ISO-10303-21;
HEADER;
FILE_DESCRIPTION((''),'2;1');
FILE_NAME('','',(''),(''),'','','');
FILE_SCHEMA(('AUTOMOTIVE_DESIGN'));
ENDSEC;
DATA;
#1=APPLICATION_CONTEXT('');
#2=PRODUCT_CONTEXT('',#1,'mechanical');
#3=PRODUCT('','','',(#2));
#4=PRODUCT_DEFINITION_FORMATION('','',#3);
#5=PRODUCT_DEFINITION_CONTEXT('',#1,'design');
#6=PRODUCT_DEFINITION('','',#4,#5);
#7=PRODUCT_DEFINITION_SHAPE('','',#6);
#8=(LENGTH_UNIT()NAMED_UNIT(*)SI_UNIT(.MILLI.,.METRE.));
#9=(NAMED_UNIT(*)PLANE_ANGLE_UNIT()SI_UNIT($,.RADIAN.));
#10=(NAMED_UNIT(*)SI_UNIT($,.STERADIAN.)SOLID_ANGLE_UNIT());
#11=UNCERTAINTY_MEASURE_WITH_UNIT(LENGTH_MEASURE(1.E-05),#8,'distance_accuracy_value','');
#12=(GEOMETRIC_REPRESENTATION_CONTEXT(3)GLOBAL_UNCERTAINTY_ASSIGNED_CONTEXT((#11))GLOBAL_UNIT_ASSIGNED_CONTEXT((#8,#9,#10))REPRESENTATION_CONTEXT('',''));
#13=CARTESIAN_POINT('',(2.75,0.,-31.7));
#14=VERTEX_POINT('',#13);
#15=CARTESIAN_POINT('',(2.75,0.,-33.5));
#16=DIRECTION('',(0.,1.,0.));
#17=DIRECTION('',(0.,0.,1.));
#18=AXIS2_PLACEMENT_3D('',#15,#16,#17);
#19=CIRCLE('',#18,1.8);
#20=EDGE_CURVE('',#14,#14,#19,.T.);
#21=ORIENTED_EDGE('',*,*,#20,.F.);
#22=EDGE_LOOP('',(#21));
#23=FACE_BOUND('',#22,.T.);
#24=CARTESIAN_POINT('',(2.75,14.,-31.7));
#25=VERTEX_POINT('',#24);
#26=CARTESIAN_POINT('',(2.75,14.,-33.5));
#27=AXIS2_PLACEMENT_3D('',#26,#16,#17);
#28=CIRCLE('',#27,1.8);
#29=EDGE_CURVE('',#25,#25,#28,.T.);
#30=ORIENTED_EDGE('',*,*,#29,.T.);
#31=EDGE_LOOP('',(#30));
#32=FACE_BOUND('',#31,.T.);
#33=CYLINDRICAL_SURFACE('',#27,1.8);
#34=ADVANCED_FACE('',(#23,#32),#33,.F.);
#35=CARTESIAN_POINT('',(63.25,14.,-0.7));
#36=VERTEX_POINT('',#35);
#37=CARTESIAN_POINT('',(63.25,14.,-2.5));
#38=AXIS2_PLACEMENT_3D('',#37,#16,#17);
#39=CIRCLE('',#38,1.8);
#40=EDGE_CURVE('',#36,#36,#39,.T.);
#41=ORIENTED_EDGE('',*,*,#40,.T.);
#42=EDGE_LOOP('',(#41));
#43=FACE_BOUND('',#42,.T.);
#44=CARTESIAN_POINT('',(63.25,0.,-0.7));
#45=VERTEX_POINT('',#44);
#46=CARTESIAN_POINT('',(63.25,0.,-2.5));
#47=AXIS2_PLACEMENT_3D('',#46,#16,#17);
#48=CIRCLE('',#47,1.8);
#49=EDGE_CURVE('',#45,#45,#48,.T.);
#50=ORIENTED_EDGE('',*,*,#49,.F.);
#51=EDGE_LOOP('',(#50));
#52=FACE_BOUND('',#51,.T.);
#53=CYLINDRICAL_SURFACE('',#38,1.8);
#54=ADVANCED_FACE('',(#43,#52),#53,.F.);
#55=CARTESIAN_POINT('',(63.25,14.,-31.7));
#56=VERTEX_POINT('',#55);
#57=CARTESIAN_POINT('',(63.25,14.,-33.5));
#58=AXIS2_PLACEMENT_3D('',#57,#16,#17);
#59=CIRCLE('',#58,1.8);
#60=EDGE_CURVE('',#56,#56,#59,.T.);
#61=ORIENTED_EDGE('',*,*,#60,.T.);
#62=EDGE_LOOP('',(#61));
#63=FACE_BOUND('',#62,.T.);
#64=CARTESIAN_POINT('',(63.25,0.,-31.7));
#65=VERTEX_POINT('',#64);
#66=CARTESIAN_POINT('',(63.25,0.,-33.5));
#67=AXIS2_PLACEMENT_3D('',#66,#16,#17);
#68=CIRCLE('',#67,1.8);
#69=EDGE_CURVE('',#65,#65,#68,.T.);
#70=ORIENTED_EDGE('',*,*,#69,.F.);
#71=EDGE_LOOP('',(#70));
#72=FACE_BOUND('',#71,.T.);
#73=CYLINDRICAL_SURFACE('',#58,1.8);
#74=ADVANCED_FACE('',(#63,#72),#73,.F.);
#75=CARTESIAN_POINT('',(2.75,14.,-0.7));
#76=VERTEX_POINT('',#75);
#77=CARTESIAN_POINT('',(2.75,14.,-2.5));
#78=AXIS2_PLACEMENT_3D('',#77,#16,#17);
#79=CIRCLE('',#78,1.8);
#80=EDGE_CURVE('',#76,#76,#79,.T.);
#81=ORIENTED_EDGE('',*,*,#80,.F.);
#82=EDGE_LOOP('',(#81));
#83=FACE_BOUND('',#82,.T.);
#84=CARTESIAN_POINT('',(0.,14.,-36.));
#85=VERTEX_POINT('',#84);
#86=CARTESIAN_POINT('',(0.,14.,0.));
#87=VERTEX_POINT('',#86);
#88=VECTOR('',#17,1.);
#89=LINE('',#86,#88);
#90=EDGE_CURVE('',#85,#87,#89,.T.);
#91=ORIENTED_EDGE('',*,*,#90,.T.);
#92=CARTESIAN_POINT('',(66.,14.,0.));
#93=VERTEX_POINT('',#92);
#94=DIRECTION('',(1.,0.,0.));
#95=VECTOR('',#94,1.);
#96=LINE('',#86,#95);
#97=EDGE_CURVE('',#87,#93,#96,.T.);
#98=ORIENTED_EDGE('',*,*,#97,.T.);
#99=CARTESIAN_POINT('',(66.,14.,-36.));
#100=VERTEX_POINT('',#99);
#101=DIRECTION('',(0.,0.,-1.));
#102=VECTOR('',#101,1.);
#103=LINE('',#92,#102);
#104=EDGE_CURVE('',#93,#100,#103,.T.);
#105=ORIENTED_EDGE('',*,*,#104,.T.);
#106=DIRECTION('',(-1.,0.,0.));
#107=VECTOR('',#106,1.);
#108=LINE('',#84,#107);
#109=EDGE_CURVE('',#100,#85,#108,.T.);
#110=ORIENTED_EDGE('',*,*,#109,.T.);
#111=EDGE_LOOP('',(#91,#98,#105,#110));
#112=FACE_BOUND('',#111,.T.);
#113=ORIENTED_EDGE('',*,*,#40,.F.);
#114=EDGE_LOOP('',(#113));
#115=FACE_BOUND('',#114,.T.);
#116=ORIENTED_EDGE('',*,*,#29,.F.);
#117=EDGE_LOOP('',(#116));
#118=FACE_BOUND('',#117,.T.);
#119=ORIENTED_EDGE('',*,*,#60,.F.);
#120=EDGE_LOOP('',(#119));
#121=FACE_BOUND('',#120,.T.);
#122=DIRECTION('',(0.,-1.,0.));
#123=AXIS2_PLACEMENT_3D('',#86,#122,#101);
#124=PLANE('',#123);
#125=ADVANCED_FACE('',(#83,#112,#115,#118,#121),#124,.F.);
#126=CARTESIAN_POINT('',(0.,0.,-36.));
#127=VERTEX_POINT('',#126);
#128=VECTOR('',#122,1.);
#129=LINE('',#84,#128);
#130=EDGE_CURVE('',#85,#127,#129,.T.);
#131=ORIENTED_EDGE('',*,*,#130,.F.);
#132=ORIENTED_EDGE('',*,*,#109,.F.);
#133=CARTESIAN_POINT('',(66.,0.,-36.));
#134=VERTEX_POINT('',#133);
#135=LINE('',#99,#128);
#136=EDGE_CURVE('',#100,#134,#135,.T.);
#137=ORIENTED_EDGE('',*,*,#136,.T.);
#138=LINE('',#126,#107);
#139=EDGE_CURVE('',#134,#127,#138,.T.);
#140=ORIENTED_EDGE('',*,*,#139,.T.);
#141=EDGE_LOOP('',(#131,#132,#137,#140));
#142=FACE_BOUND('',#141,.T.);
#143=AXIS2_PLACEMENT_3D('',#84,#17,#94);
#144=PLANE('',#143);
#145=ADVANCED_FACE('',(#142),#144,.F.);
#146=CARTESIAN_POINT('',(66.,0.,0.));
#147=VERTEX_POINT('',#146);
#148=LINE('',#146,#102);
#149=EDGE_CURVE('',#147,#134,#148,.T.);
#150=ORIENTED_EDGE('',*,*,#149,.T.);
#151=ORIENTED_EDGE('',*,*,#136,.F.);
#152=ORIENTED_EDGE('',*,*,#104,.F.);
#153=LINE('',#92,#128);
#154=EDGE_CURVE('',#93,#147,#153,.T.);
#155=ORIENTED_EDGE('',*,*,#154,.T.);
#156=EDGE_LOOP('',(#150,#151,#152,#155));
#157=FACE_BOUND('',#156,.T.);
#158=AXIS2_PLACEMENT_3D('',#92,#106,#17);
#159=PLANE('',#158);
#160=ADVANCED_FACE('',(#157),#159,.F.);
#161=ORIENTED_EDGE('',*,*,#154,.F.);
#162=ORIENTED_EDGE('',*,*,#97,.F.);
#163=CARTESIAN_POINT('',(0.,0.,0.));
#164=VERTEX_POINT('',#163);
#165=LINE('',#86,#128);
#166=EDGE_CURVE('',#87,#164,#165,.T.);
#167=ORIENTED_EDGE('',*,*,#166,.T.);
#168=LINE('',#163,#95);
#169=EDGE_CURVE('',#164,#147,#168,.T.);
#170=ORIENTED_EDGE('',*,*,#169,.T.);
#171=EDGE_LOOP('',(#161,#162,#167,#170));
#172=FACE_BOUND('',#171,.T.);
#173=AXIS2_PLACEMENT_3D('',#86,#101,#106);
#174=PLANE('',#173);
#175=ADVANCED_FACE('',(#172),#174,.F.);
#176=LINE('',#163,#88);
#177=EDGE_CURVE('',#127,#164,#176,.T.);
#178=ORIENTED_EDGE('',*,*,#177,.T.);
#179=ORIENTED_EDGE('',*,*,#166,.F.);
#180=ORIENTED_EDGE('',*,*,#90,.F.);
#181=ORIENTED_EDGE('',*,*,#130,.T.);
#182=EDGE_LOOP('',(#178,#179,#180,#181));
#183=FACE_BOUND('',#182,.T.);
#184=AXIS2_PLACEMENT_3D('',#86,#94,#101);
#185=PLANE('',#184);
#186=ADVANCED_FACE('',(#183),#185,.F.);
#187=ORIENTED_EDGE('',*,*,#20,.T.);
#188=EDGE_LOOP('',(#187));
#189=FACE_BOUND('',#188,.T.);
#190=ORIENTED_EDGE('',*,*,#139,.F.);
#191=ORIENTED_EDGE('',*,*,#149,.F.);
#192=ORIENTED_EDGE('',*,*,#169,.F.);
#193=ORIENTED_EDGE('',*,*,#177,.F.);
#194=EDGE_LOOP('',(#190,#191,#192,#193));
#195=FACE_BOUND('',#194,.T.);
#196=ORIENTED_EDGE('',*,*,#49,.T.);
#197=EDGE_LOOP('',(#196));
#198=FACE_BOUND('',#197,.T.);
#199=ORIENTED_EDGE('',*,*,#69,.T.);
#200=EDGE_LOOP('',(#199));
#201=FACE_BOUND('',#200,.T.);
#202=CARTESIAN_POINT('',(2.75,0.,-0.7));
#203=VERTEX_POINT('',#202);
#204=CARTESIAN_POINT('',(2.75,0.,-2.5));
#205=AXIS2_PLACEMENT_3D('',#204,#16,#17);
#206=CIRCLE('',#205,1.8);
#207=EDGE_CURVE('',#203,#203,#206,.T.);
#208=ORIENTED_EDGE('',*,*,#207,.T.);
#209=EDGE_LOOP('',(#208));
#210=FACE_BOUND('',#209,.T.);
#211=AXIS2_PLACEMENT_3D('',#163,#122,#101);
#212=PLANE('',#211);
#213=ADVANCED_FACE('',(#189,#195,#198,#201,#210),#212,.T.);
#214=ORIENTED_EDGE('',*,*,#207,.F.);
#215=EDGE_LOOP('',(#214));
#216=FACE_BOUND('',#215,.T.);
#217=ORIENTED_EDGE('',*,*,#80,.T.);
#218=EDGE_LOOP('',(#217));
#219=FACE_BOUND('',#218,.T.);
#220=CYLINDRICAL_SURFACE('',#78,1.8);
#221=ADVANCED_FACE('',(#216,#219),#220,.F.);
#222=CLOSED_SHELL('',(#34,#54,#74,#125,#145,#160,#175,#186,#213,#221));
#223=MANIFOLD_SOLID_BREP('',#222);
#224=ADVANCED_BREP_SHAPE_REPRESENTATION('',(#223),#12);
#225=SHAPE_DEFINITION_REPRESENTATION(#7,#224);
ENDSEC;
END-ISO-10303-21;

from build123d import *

# Parameters (mm, degrees)
SKETCH2_W            = 66
SKETCH2_H            = 36
BOSS_EXTRUDE1_DEPTH  = 14
M3_CLEARANCE_HOLE1_D = 3.6


with BuildPart() as part:
    # Sketch2 → Boss-Extrude1 (new body)
    with BuildSketch(Plane(origin=(0, 0, 0), x_dir=(1, 0, 0), z_dir=(0, 1, 0))):
        with Locations((33, 18)):
            Rectangle(SKETCH2_W, SKETCH2_H)
    extrude(amount=BOSS_EXTRUDE1_DEPTH)

    # M3 Clearance Hole1 (through all)
    with Locations(Plane(origin=(0, 14, 0), x_dir=(1, 0, 0), z_dir=(0, 1, 0))):
        with Locations((63.25, 33.5), (63.25, 2.5), (2.75, 33.5), (2.75, 2.5)):
            Hole(M3_CLEARANCE_HOLE1_D / 2)


solid = part.part
